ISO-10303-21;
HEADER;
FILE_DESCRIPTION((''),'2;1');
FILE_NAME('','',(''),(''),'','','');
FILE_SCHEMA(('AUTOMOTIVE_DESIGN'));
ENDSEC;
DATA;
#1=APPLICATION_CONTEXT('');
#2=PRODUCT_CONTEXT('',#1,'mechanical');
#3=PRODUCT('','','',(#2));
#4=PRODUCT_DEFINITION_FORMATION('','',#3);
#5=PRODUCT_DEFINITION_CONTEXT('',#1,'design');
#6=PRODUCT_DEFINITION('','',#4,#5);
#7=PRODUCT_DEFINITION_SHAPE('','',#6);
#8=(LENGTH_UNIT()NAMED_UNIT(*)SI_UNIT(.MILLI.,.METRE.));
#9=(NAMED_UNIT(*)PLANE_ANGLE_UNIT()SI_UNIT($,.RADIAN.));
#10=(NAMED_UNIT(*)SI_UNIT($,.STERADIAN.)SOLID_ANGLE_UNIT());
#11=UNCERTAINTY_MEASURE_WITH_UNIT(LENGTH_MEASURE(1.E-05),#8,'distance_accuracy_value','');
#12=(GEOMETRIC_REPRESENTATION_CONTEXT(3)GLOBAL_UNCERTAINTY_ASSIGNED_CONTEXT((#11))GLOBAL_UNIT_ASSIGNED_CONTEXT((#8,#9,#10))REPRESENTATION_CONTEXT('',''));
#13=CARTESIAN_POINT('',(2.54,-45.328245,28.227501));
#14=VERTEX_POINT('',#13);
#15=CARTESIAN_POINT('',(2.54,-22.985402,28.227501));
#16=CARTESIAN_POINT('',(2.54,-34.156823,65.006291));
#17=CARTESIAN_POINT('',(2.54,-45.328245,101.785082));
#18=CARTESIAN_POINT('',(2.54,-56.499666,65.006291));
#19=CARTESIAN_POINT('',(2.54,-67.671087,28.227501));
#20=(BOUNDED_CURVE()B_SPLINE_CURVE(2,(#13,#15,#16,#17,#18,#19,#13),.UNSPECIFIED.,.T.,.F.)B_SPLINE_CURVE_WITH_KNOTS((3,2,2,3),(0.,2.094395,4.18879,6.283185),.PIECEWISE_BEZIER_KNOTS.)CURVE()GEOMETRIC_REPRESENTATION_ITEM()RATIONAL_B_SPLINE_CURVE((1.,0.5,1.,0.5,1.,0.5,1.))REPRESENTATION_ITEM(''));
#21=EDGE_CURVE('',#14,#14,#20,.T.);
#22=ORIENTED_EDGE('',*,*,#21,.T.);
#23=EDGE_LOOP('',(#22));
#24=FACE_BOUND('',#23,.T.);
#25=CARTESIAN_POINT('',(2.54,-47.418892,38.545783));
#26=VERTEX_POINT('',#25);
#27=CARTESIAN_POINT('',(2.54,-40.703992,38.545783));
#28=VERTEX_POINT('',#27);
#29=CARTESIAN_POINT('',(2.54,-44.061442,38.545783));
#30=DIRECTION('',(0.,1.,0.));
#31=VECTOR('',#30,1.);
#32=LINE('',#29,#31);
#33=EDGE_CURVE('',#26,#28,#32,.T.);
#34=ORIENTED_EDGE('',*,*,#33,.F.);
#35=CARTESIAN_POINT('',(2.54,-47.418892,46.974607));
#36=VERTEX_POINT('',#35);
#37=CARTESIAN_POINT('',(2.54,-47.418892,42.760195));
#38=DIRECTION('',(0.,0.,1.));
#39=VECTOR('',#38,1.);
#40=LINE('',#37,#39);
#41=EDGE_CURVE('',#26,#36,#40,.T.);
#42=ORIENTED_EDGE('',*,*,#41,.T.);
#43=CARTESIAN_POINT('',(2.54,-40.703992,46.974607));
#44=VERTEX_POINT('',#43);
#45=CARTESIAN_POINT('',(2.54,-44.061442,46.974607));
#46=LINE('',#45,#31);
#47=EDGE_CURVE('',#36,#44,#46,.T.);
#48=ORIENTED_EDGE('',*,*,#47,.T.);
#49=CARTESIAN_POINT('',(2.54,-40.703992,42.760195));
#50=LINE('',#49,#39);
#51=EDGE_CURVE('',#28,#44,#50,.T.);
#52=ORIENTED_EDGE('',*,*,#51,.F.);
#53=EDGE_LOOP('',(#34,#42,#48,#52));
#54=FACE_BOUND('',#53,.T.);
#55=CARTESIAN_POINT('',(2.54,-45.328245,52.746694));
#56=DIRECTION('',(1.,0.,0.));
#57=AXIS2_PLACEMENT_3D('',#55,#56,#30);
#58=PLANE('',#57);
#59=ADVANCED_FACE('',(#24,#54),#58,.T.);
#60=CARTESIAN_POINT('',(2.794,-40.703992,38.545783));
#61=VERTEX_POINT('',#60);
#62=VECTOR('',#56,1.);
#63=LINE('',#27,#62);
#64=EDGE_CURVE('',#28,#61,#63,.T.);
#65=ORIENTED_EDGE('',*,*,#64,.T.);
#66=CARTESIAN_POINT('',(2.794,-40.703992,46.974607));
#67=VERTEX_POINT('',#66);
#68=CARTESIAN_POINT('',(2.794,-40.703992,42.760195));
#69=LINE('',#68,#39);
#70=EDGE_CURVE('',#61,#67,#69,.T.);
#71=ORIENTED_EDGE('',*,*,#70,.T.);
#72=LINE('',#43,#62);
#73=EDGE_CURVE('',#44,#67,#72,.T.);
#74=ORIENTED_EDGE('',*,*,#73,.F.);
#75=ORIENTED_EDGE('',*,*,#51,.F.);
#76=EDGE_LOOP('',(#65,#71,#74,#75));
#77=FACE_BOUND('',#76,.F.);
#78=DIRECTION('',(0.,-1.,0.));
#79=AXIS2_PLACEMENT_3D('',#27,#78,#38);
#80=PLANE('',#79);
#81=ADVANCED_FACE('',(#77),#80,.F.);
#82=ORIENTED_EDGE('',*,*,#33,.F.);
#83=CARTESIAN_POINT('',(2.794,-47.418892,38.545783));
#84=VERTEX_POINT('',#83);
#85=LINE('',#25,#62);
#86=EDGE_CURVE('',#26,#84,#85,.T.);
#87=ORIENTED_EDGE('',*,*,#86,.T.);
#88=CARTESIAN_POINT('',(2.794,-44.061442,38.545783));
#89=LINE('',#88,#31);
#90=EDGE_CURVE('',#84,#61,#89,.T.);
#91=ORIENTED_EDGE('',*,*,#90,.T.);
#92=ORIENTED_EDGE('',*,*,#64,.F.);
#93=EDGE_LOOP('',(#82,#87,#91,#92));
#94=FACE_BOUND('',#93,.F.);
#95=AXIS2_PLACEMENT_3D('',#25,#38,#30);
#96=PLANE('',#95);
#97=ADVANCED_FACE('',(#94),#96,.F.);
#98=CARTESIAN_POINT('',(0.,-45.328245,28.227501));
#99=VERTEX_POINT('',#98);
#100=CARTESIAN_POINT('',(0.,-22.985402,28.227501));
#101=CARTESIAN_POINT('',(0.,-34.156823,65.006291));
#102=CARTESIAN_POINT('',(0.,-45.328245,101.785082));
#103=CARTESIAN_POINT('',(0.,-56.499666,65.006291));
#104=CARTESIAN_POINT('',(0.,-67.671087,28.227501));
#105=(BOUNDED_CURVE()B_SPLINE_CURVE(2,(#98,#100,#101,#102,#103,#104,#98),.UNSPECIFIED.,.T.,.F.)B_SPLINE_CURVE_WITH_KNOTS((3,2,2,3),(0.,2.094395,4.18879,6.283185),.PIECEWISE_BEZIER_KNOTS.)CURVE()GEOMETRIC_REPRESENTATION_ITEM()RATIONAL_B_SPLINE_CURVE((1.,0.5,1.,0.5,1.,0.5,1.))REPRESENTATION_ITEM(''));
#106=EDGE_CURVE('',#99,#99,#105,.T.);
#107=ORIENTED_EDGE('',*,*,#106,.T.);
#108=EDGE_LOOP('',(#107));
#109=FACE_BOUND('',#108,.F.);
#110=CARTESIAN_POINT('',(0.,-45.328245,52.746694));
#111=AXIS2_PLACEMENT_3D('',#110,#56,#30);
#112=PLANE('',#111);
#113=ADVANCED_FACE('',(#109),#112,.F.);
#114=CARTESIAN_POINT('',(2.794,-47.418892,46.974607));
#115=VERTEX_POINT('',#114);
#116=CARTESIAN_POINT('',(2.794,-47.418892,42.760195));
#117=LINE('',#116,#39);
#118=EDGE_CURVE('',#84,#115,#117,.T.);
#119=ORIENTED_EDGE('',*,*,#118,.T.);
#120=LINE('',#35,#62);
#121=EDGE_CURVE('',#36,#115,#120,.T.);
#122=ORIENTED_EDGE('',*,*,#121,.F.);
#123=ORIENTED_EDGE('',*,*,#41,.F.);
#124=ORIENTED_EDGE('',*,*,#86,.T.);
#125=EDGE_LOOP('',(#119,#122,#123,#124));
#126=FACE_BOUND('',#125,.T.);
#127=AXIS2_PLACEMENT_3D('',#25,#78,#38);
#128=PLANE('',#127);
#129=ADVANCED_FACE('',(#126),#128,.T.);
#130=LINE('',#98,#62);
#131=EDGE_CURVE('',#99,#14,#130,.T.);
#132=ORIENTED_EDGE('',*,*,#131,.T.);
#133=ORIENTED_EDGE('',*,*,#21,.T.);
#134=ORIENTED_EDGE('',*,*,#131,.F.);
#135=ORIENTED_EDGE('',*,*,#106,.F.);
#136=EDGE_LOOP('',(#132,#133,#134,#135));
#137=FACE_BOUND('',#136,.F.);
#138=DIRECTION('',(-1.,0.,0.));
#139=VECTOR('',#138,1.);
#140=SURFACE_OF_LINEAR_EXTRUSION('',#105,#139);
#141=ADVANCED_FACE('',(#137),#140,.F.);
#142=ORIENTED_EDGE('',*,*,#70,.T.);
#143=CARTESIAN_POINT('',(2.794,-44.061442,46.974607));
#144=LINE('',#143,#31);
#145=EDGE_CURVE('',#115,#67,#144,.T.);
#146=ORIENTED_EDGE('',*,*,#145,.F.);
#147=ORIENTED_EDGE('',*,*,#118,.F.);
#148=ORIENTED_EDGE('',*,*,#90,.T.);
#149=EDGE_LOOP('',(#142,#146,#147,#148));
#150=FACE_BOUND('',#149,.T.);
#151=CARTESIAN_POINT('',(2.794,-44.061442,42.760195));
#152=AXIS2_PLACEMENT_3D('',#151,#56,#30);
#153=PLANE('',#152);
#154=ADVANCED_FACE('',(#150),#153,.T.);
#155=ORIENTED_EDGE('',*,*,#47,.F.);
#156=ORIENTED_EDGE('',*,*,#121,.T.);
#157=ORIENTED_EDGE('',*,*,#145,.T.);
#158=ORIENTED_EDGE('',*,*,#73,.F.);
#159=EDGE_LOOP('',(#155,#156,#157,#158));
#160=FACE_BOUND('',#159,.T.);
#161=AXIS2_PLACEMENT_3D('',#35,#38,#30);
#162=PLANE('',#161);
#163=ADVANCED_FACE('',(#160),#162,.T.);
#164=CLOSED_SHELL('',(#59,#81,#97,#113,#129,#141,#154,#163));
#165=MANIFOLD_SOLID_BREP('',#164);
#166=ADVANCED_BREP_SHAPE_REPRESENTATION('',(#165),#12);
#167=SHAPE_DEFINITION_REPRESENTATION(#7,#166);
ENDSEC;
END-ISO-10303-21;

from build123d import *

# Parameters (mm, degrees)
F1_DEPTH = 2.54
F2_W     = 6.714899
F2_H     = 8.428823
F3_DEPTH = 0.254


with BuildPart() as f1:
    # F0 (on Right) → F1 (new body)
    with BuildSketch(Plane.YZ):
        with BuildLine():
            add(Edge.make_bspline(
                [(-45.328245, 28.227501), (-22.985402, 28.227501), (-34.156823, 65.006291), (-45.328245, 101.785082), (-56.499666, 65.006291), (-67.671087, 28.227501), (-45.328245, 28.227501)],
                knots=[0, 0, 0, 2.094395, 2.094395, 4.18879, 4.18879, 6.283185, 6.283185, 6.283185], degree=2, weights=[1, 0.5, 1, 0.5, 1, 0.5, 1]))
        make_face()
    extrude(amount=F1_DEPTH)

    # F2 (on face) → F3 (join)
    with BuildSketch(Plane.YZ.offset(2.54)):
        with Locations((-44.061442, 42.760195)):
            Rectangle(F2_W, F2_H)
    extrude(amount=F3_DEPTH)


solid = f1.part
